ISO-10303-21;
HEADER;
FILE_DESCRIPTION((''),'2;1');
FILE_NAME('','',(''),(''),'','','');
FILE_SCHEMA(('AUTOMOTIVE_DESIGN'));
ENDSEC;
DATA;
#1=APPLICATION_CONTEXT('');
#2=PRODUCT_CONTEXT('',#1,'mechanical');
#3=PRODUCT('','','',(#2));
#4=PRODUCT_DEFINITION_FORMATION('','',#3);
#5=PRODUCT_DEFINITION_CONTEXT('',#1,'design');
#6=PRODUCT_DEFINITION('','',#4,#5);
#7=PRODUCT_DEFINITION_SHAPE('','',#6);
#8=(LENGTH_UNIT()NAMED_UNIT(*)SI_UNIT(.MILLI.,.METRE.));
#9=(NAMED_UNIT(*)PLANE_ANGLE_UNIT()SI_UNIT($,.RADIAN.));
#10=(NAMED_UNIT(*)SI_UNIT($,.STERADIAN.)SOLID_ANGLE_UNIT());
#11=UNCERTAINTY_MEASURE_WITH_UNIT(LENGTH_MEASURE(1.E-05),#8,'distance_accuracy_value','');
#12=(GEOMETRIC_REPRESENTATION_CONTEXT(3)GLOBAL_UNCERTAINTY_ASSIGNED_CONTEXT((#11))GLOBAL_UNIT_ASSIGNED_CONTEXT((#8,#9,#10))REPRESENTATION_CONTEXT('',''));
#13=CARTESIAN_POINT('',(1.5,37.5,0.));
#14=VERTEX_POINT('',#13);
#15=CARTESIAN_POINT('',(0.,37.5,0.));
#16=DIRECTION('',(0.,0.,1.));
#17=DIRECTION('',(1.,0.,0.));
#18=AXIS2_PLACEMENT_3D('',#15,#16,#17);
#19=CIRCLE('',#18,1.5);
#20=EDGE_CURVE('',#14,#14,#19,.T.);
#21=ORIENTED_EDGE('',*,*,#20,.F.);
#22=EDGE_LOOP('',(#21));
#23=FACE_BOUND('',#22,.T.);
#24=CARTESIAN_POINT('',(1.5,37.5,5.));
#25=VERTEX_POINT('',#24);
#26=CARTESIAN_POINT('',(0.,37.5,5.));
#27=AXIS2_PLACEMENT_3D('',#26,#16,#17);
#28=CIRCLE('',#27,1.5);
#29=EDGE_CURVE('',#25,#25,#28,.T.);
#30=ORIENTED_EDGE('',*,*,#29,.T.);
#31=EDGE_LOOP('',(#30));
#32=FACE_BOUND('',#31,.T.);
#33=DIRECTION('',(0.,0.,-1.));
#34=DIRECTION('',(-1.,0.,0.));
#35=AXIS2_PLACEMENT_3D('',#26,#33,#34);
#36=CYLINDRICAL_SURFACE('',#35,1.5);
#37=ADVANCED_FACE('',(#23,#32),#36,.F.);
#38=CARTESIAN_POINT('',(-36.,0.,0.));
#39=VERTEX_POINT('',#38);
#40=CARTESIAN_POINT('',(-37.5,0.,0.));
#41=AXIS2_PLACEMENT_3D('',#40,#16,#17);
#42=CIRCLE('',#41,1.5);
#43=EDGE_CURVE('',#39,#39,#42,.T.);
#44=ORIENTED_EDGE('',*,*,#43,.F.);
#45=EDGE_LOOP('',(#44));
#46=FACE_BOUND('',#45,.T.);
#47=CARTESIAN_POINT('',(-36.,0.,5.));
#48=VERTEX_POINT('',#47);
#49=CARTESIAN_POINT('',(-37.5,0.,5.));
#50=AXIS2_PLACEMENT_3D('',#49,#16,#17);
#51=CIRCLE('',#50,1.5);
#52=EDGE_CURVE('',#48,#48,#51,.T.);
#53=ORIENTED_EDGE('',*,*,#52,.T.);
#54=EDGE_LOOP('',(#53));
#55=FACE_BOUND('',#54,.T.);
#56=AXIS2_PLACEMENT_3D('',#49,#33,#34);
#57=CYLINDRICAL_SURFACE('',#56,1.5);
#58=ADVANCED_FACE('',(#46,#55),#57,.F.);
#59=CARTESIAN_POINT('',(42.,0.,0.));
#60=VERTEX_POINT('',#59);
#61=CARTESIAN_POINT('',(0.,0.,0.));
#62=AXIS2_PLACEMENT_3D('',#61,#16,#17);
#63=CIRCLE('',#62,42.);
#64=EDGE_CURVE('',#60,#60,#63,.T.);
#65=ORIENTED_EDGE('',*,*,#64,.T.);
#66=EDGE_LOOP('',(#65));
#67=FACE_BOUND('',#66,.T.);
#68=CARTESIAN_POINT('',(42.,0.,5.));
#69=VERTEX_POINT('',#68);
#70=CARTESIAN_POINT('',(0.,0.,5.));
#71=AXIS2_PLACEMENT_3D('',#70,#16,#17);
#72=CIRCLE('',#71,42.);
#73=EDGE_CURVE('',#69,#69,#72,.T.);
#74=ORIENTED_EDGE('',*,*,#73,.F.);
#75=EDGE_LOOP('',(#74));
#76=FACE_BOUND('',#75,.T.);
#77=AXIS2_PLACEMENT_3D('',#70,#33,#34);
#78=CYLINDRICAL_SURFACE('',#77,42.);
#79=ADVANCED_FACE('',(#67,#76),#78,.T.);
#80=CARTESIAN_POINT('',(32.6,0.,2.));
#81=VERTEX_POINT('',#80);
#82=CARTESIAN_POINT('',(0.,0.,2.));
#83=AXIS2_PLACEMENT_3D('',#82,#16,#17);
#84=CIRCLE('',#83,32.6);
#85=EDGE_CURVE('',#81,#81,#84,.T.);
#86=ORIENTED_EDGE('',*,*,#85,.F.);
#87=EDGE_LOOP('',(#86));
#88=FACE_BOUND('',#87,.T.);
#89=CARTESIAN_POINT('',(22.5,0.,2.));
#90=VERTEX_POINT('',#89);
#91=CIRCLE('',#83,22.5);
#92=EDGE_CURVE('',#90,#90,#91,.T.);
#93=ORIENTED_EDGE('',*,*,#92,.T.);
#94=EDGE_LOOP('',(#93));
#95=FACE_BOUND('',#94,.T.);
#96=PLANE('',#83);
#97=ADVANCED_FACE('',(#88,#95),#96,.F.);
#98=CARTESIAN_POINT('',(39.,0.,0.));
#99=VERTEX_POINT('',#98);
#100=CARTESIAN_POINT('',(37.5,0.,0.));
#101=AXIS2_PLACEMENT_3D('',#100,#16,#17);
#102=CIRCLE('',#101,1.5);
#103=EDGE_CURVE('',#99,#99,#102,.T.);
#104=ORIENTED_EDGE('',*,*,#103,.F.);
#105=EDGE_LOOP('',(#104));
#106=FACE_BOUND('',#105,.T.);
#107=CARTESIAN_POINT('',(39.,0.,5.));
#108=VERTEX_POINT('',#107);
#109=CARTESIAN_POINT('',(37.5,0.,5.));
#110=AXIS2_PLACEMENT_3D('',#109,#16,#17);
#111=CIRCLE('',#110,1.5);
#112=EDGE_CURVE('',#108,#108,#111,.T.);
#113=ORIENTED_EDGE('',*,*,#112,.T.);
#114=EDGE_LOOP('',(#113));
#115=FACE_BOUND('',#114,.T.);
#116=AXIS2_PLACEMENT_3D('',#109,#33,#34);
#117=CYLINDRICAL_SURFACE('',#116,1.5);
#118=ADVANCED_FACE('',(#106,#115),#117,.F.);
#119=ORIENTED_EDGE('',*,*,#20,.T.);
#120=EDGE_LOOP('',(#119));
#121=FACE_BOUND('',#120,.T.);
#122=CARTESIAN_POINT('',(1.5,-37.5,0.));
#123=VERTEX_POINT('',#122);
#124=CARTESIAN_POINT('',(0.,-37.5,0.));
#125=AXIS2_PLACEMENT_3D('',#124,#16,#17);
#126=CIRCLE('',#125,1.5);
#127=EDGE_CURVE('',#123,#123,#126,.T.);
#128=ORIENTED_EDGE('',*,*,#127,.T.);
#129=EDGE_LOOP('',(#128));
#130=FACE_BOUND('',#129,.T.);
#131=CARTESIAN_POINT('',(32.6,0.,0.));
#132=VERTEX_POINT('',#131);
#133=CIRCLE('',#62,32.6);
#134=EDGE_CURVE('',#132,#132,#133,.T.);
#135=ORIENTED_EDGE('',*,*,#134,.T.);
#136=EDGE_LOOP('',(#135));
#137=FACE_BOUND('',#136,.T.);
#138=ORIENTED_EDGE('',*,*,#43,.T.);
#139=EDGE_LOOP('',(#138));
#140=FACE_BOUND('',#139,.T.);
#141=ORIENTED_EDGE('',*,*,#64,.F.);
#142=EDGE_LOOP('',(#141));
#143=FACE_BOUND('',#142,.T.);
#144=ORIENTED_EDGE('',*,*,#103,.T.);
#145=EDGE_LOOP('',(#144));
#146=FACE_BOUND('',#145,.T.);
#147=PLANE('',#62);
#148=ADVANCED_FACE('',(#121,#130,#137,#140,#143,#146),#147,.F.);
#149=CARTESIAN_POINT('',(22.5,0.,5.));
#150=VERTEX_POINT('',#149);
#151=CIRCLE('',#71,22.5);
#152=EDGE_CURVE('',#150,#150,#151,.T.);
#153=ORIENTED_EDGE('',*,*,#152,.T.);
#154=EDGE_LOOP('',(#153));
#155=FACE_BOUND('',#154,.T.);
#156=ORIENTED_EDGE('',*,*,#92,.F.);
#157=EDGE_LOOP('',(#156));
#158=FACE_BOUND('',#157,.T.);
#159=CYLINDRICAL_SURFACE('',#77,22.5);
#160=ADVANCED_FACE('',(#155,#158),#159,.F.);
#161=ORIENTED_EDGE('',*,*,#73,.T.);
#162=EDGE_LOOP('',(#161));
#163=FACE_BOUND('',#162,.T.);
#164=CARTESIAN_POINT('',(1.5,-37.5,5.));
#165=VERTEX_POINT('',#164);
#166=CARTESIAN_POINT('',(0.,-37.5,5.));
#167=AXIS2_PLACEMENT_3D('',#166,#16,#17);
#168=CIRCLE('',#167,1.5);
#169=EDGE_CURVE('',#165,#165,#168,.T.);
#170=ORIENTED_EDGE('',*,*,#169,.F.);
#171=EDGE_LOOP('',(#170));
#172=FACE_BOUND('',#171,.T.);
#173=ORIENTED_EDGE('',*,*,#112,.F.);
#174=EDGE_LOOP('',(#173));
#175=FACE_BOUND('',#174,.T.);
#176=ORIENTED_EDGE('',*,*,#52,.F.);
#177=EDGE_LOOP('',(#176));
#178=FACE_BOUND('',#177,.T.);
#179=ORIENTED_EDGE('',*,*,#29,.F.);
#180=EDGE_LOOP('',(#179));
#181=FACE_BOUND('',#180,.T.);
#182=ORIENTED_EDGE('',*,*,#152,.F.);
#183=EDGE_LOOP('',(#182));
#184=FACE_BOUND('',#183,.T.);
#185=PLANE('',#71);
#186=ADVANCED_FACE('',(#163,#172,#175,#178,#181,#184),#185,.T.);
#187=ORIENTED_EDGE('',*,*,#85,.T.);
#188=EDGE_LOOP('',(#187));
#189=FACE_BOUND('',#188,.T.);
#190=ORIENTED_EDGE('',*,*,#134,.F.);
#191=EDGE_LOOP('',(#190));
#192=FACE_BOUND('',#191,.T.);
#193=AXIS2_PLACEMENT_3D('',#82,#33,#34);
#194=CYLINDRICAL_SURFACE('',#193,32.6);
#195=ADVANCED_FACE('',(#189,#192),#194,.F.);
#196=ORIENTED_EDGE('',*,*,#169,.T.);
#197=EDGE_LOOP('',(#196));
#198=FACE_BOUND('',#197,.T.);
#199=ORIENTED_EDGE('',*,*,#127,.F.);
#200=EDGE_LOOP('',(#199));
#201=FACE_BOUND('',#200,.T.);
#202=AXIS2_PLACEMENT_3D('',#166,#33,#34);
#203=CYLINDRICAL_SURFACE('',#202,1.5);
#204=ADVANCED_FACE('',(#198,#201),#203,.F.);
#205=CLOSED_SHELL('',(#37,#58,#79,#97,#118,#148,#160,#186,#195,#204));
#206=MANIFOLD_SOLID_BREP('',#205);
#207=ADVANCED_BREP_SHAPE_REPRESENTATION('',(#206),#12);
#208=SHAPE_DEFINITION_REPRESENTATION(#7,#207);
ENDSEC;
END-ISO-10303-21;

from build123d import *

# Parameters (mm, degrees)
SKETCH_1_R          = 42
SKETCH_1_R_2        = 1.5
SKETCH_1_R_3        = 32.6
SKETCH_1_R_4        = 22.5
EXTRUDE_1_DEPTH     = 5
SKETCH_1_4_R        = 32.6
CUT_EXTRUDE_1_DEPTH = 2


with BuildPart() as part:
    # 草图1 → 凸台-拉伸1 (new body)
    # profile 1 of 2: a face of its own
    with BuildSketch(Plane.XY):
        Circle(SKETCH_1_R)
        with Locations((0, -37.5)):
            Circle(SKETCH_1_R_2, mode=Mode.SUBTRACT)
        Circle(SKETCH_1_R_3, mode=Mode.SUBTRACT)
        with Locations((37.5, 0)):
            Circle(SKETCH_1_R_2, mode=Mode.SUBTRACT)
        with Locations((-37.5, 0)):
            Circle(SKETCH_1_R_2, mode=Mode.SUBTRACT)
        with Locations((0, 37.5)):
            Circle(SKETCH_1_R_2, mode=Mode.SUBTRACT)
    # profile 2 of 2: a face of its own
    with BuildSketch(Plane.XY):
        Circle(SKETCH_1_R_3)
        Circle(SKETCH_1_R_4, mode=Mode.SUBTRACT)
    extrude(amount=EXTRUDE_1_DEPTH)

    # 草图1<4> → 切除-拉伸1 (cut)
    with BuildSketch(Plane.XY):
        Circle(SKETCH_1_4_R)
    extrude(amount=CUT_EXTRUDE_1_DEPTH, mode=Mode.SUBTRACT)


solid = part.part
